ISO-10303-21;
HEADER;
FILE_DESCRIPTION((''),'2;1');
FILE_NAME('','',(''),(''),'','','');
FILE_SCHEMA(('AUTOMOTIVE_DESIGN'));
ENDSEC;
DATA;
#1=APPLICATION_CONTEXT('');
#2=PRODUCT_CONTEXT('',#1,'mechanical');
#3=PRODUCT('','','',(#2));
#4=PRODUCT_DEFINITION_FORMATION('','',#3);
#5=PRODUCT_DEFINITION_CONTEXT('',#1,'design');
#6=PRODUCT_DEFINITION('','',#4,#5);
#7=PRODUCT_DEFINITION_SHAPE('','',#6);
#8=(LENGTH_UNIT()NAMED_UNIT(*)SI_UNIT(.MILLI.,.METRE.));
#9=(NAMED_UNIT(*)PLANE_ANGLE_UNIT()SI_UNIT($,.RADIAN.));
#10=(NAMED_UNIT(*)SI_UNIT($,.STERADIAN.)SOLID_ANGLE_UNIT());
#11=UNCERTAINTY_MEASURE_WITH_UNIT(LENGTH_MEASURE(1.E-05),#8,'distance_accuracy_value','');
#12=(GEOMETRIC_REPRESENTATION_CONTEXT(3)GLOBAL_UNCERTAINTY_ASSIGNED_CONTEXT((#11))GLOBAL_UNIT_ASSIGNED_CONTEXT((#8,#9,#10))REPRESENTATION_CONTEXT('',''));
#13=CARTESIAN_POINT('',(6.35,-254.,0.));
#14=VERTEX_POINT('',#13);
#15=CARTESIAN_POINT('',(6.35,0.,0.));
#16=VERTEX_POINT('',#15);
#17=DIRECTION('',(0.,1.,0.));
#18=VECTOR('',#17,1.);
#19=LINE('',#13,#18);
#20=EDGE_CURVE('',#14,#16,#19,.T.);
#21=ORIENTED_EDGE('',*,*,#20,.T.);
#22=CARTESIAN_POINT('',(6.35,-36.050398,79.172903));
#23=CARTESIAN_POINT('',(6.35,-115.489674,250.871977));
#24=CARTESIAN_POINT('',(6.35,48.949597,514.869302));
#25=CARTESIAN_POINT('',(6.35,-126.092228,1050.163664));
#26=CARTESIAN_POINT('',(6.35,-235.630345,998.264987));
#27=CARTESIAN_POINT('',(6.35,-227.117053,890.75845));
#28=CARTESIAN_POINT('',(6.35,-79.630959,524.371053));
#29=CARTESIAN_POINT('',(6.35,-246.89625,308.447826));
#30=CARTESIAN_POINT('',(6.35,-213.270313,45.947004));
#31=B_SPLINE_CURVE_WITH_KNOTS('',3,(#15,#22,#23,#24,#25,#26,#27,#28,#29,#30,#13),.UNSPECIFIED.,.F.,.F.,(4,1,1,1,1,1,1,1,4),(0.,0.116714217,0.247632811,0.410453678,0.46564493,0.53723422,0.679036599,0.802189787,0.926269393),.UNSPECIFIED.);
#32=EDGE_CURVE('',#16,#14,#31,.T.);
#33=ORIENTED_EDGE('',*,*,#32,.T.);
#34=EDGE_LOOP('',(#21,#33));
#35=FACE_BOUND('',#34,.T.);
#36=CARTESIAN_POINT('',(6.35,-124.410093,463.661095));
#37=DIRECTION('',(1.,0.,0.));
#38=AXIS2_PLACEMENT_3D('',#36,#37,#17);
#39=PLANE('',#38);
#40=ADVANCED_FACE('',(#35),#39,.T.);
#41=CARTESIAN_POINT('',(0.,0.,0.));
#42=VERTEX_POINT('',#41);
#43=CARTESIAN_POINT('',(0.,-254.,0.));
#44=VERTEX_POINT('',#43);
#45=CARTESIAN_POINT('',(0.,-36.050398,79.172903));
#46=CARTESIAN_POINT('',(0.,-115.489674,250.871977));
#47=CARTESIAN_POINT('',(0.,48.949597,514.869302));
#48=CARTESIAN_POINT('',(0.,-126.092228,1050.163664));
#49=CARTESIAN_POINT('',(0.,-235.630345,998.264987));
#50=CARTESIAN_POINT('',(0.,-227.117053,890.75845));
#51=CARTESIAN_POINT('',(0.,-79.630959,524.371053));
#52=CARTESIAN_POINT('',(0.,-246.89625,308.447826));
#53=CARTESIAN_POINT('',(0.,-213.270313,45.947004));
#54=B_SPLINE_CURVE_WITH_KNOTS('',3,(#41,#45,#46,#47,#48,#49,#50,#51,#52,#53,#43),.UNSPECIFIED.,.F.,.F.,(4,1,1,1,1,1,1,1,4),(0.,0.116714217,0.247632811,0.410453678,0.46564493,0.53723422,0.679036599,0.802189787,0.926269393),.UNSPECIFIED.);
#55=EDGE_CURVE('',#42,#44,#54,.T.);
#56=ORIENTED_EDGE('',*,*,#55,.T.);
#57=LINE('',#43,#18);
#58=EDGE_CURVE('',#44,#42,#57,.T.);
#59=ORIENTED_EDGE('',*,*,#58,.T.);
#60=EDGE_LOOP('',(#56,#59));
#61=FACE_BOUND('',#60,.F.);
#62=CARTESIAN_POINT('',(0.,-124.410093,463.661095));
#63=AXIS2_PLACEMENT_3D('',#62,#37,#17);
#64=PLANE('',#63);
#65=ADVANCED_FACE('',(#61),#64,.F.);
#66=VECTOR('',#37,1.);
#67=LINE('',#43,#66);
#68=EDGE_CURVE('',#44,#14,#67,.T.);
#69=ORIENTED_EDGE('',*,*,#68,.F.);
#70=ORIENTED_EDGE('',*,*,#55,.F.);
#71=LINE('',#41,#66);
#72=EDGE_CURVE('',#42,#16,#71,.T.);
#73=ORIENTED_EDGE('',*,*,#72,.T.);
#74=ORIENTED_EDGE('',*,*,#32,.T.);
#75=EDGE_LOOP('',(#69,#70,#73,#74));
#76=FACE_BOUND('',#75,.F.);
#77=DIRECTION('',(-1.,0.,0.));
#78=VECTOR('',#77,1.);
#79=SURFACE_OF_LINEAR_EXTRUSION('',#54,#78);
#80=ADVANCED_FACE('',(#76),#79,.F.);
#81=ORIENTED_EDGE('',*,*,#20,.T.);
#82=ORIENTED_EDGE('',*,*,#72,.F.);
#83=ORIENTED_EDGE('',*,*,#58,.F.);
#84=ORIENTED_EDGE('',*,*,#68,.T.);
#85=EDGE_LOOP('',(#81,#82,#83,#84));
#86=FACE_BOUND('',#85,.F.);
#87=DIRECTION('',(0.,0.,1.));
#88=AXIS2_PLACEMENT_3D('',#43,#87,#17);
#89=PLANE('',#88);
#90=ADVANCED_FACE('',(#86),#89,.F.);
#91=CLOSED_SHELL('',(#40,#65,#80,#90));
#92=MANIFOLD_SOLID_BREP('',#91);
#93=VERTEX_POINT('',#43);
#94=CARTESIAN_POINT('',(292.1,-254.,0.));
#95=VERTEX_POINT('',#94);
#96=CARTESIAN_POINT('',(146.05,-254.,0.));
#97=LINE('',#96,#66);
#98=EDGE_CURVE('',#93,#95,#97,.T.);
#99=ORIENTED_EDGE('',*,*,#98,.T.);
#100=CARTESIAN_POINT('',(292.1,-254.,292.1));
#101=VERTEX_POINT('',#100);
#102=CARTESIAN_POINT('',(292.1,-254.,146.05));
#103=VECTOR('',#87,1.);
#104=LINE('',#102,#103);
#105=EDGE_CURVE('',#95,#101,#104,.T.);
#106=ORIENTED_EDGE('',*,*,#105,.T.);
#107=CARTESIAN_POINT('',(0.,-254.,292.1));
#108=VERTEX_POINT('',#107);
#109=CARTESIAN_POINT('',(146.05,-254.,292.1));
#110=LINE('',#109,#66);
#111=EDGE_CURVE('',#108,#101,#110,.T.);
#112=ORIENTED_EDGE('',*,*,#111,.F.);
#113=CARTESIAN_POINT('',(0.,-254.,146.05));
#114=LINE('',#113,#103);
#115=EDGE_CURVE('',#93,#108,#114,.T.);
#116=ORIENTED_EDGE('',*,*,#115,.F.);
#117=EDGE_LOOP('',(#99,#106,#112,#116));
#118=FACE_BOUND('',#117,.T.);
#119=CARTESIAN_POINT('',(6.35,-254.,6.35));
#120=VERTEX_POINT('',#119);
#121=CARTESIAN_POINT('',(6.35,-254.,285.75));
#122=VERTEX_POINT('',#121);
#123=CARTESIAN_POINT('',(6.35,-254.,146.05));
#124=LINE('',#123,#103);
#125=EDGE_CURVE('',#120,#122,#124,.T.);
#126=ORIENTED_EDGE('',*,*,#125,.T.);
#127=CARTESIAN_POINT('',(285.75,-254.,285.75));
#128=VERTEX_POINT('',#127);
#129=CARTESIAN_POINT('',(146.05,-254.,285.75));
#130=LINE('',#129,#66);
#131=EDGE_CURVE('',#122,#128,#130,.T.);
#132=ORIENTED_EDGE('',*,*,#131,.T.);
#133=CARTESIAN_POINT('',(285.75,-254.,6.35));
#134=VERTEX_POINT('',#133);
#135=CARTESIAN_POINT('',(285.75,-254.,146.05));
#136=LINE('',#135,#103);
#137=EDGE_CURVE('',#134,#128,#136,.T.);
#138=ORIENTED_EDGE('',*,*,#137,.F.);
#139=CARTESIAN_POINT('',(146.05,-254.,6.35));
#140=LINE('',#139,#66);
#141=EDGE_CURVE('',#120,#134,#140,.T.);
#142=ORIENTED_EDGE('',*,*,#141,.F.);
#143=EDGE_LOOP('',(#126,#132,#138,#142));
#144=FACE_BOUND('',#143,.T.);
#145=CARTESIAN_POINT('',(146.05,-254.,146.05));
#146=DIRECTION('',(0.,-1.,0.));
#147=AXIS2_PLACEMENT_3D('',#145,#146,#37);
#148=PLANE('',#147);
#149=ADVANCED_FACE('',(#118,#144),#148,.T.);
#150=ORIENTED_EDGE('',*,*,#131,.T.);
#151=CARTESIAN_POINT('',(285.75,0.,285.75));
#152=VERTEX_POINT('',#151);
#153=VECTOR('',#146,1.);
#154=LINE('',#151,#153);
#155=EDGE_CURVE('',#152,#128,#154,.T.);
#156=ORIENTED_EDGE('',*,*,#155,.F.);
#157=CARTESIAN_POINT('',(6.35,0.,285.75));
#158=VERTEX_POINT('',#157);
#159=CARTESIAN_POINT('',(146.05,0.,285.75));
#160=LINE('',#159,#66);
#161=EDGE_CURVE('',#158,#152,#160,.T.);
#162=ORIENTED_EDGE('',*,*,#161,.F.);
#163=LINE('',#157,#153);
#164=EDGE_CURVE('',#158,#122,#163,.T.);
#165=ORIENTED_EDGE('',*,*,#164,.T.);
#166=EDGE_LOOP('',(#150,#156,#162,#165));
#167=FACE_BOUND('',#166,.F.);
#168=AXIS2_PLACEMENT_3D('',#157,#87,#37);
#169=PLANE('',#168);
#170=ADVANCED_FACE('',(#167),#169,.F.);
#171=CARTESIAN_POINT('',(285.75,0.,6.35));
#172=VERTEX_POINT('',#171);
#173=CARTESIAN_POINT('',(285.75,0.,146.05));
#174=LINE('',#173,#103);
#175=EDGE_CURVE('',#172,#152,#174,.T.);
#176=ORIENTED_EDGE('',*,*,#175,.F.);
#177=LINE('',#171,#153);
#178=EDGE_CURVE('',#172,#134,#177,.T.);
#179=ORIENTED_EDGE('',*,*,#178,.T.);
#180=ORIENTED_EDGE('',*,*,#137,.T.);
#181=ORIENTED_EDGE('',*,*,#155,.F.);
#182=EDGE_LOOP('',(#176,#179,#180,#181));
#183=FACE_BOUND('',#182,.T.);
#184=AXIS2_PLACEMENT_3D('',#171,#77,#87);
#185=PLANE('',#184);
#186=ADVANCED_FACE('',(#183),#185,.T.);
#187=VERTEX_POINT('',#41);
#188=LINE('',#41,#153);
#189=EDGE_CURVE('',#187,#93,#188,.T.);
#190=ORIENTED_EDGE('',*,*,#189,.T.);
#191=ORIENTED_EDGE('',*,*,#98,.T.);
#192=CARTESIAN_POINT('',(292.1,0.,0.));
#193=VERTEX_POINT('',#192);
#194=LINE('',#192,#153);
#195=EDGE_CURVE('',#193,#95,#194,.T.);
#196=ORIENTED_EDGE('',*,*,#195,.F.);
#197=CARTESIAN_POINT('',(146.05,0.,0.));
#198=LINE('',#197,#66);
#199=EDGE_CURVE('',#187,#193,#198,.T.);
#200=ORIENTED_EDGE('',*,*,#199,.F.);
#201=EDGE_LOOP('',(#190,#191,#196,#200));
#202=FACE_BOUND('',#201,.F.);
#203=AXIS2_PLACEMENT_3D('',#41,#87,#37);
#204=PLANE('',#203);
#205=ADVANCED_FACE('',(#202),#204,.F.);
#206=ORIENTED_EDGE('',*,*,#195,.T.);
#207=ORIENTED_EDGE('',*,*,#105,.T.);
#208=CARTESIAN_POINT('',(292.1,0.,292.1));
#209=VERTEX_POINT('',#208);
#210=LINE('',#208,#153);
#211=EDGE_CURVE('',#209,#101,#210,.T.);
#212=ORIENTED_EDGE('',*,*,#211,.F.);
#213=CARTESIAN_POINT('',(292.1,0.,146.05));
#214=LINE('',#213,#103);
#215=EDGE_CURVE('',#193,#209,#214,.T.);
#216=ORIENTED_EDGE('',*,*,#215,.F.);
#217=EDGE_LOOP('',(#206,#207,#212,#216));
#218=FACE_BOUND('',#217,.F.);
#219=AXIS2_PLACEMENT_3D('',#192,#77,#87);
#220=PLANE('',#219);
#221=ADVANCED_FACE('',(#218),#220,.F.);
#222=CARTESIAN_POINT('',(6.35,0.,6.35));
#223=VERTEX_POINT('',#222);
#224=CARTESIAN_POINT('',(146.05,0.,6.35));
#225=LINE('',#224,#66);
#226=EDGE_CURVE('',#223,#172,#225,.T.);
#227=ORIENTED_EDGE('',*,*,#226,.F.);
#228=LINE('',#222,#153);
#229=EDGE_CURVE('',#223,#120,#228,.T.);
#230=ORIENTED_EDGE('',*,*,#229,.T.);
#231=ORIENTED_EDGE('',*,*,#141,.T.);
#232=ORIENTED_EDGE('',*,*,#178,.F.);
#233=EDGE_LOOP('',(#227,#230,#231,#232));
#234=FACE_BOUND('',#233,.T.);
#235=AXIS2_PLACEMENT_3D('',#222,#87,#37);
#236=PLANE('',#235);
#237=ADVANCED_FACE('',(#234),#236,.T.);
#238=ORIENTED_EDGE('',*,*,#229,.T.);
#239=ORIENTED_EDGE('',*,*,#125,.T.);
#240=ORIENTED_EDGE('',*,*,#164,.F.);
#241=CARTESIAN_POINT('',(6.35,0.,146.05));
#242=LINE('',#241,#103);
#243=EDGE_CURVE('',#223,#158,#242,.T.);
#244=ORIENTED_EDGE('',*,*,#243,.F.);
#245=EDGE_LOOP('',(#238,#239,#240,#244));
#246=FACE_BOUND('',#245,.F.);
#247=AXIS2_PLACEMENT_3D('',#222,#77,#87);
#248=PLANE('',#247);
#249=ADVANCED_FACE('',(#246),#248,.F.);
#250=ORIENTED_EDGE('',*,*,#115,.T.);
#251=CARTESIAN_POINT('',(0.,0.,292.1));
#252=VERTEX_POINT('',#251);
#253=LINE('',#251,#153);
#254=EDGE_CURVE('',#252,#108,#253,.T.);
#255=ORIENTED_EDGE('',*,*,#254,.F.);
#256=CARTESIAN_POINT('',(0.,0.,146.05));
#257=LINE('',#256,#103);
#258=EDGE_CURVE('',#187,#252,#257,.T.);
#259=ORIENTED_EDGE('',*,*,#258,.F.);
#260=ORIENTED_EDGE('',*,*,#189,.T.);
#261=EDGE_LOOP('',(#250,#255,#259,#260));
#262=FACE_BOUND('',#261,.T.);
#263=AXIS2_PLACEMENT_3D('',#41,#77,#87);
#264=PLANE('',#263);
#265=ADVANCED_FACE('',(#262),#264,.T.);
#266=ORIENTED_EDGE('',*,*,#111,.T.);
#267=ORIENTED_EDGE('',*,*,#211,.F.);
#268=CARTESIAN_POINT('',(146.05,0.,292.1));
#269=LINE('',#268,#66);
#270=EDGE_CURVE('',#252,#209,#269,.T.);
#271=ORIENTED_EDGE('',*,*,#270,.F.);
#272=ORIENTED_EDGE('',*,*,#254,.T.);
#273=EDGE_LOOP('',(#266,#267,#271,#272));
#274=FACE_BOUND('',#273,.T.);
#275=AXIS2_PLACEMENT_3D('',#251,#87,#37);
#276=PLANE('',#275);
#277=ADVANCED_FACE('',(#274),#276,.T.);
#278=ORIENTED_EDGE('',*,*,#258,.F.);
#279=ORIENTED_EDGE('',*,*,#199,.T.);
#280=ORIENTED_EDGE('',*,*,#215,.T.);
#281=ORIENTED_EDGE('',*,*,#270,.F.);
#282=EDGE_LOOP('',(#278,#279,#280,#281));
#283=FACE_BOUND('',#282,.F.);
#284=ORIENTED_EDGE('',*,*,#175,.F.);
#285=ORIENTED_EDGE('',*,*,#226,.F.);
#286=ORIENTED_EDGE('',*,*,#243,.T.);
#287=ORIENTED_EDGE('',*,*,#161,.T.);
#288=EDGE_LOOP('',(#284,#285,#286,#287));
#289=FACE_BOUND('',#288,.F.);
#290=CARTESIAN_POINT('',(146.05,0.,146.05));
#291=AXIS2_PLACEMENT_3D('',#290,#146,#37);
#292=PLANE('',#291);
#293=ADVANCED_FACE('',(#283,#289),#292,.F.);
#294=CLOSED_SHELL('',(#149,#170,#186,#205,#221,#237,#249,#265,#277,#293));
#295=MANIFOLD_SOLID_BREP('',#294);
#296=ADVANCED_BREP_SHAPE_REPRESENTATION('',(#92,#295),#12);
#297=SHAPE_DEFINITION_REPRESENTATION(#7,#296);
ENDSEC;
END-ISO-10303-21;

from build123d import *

# Parameters (mm, degrees)
F0_W     = 292.1
F0_H     = 292.1
F0_W_2   = 279.4
F0_H_2   = 279.4
F1_DEPTH = 254
F3_DEPTH = 6.35


with BuildPart() as f1:
    # F0 (on Front) → F1 (new body)
    with BuildSketch(Plane.XZ):
        with Locations((146.05, 146.05)):
            Rectangle(F0_W, F0_H)
        with Locations((146.05, 146.05)):
            Rectangle(F0_W_2, F0_H_2, mode=Mode.SUBTRACT)
    extrude(amount=F1_DEPTH)


with BuildPart() as f3:
    # F2 (on Right) → F3 (new body)
    with BuildSketch(Plane.YZ):
        with BuildLine():
            Line((-254, 0), (0, 0))
            add(Edge.make_bspline(
                [(0, 0), (-36.0503984099, 79.1729025419), (-115.4896744449, 250.8719772978), (48.9495967656, 514.869301843), (-126.0922284159, 1050.163664357), (-235.630344875, 998.264986505), (-227.1170532983, 890.7584496977), (-79.6309588325, 524.3710528786), (-246.8962504388, 308.4478256221), (-213.2703128225, 45.9470044456), (-254, 0)],
                knots=[0, 0, 0, 0, 0.1167142172, 0.2476328114, 0.4104536784, 0.4656449295, 0.5372342196, 0.6790365993, 0.8021897874, 0.9262693928, 0.9262693928, 0.9262693928, 0.9262693928], degree=3))
        make_face()
    extrude(amount=F3_DEPTH)


solid = Compound([f1.part, f3.part])
